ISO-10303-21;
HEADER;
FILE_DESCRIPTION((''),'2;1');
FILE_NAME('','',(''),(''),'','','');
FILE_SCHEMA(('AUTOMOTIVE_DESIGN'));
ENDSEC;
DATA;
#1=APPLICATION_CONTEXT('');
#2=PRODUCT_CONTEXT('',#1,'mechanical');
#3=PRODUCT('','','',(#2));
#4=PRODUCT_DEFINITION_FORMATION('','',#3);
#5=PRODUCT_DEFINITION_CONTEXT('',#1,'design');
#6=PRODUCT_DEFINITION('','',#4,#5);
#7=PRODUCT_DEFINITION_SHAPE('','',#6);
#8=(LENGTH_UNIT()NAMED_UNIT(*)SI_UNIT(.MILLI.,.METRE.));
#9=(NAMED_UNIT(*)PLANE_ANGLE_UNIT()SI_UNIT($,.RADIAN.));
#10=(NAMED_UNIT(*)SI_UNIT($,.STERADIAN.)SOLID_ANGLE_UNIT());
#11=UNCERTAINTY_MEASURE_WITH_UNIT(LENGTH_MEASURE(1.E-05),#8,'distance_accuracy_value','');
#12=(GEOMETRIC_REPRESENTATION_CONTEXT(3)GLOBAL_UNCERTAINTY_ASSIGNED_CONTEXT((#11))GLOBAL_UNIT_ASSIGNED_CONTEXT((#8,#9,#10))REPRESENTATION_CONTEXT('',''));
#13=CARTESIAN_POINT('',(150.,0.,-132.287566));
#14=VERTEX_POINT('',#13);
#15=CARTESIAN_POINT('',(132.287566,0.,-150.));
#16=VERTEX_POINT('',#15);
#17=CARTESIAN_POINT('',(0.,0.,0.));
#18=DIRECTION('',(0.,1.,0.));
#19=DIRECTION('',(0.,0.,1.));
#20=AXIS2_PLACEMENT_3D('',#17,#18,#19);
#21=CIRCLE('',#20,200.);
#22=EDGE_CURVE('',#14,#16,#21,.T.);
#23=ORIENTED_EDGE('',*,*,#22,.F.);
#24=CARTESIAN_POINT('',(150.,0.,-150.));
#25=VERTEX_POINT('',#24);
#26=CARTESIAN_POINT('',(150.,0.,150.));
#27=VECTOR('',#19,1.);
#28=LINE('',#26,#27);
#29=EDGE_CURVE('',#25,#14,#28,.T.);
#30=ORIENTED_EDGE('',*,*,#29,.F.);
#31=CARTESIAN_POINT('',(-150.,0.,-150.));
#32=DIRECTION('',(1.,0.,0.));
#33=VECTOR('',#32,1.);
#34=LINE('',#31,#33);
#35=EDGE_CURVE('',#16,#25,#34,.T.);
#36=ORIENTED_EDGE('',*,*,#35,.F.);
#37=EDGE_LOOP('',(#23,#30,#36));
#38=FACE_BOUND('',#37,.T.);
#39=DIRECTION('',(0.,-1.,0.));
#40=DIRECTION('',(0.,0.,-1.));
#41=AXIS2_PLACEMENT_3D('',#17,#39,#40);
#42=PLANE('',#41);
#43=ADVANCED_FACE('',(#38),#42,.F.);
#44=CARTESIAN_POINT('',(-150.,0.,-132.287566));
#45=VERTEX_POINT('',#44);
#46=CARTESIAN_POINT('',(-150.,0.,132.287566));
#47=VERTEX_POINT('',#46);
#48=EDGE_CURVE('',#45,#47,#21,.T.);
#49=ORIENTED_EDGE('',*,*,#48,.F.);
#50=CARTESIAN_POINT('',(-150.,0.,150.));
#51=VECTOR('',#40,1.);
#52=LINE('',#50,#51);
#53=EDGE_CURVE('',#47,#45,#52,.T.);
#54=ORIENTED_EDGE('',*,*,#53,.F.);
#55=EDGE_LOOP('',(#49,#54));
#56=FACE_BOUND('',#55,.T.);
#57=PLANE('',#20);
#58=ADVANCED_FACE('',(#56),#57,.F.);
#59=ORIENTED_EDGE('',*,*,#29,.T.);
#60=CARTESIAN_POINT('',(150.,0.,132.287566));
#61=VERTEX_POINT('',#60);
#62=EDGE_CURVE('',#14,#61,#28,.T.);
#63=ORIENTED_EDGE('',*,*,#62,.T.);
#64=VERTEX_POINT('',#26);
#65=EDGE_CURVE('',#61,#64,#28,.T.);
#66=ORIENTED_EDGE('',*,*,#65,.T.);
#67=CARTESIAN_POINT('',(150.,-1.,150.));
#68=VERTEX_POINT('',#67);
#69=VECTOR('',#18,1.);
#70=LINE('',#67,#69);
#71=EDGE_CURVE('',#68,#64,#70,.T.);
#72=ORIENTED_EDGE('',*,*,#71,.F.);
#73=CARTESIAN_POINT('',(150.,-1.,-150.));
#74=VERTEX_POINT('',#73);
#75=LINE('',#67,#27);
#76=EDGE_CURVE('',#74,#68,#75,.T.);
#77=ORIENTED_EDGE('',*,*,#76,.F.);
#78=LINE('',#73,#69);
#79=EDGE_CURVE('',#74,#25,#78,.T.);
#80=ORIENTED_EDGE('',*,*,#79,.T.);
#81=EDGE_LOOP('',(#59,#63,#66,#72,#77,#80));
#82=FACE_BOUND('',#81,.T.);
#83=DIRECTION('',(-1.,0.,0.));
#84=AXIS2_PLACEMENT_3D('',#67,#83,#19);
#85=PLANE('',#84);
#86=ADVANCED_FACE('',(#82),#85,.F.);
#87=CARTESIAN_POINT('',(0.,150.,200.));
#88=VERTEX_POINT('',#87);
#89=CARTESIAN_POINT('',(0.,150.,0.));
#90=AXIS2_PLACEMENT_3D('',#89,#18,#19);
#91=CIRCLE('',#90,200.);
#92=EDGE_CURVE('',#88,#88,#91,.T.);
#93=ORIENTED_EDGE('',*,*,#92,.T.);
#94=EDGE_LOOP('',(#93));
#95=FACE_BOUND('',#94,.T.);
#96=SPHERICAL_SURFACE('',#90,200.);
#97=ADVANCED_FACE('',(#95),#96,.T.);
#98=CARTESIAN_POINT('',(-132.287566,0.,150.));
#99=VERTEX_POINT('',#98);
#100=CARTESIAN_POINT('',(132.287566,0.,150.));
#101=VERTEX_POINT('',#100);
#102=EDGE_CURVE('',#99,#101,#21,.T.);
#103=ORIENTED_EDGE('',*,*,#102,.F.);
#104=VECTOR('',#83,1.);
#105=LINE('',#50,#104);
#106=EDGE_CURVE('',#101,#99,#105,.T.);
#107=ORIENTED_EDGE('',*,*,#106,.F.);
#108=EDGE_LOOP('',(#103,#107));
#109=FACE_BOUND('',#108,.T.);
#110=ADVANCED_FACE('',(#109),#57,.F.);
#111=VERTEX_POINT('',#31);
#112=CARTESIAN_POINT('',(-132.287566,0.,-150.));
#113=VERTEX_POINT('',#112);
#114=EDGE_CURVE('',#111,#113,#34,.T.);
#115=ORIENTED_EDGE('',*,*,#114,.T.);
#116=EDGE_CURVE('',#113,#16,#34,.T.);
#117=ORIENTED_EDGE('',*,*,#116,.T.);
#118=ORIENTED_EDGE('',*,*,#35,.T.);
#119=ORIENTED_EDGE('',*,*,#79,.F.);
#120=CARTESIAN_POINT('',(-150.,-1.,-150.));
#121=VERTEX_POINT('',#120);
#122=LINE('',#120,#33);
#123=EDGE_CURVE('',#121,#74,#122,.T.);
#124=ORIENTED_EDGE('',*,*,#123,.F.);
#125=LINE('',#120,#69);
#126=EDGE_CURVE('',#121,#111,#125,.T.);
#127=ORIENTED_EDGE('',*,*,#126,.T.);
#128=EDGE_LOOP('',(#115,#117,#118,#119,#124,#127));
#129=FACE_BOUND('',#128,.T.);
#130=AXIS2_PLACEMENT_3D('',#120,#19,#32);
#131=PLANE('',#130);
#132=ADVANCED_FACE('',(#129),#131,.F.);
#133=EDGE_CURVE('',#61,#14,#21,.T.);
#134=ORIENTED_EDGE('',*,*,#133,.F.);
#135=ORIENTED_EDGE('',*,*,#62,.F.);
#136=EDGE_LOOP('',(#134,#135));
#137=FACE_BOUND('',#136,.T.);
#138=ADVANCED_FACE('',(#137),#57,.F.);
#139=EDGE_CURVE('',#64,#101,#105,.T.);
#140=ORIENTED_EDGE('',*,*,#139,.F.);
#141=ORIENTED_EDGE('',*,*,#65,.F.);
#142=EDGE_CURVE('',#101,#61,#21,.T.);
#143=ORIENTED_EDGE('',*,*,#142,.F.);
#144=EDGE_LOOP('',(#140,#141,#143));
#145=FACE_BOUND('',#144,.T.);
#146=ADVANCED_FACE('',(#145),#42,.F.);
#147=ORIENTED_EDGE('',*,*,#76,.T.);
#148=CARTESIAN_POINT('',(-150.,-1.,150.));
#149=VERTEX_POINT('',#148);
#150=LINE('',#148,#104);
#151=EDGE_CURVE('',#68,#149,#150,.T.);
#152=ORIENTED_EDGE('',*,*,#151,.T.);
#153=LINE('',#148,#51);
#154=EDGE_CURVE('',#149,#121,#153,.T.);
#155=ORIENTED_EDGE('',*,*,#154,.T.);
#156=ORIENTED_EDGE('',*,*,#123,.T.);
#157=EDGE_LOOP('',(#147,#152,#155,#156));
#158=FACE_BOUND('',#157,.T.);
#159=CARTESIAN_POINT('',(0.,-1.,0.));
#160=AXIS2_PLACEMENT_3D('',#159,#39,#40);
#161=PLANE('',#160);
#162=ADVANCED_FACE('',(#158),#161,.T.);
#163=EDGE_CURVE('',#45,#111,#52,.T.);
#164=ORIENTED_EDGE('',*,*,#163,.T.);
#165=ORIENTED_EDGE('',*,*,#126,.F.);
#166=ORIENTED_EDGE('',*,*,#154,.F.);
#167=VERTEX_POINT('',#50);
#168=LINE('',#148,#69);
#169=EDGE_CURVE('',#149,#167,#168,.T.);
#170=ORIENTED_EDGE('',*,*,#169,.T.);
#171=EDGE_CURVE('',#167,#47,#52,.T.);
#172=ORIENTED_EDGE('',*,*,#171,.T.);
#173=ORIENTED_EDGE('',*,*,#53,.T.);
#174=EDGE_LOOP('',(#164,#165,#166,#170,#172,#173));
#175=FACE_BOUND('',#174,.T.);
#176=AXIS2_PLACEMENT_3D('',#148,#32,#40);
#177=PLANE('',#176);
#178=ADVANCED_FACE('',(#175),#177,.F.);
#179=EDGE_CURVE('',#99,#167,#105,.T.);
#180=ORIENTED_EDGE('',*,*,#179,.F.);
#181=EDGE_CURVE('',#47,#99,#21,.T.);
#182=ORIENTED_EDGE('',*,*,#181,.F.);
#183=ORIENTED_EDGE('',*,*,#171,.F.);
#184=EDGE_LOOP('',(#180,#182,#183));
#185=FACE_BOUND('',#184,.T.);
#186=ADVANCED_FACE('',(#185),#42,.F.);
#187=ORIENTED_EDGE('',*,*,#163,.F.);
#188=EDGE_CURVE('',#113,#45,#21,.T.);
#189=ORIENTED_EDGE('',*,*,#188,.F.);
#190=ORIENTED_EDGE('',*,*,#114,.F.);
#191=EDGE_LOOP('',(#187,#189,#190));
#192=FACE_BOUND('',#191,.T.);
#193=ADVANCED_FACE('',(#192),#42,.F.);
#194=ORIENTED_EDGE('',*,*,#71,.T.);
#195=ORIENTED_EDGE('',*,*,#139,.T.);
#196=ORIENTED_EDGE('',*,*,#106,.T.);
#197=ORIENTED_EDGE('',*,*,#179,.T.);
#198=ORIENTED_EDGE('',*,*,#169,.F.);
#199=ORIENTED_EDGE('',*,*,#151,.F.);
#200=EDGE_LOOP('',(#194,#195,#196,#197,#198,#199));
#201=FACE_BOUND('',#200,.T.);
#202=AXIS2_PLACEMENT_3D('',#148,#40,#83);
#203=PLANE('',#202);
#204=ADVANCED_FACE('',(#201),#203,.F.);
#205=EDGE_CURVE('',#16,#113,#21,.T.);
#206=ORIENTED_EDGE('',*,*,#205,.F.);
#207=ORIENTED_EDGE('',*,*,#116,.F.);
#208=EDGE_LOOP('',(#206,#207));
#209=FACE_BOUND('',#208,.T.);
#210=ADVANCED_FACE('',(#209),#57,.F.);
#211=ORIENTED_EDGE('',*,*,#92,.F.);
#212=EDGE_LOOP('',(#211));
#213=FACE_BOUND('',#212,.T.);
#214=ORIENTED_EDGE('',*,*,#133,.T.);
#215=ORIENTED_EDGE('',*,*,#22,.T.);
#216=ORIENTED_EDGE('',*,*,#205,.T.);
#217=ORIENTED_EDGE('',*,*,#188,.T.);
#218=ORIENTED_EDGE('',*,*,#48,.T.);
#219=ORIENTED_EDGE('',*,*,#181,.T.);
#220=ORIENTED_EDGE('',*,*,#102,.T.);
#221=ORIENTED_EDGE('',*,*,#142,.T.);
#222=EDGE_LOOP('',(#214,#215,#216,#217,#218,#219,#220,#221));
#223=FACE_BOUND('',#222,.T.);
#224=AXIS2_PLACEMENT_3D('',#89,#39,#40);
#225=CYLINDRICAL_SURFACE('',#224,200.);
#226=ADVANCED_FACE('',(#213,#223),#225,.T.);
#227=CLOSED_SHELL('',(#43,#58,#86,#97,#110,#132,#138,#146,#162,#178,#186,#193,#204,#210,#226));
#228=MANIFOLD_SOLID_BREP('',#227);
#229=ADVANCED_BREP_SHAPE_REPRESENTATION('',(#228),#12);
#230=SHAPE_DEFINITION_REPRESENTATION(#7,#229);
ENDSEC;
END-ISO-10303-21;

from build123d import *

# Parameters (mm, degrees)
SKETCH2_R           = 200
BOSS_EXTRUDE1_DEPTH = 150
DOME2_FACE_RADIUS   = 200
DOME2_HEIGHT        = 200
SKETCH4_W           = 300
SKETCH4_H           = 300
BOSS_EXTRUDE2_DEPTH = 1


with BuildPart() as part:
    # Sketch2 → Boss-Extrude1 (new body)
    with BuildSketch(Plane(origin=(0, 0, 0), x_dir=(1, 0, 0), z_dir=(0, 1, 0))):
        with Locations(Location((0, 0, 0), (0, 0, 270))):
            Circle(SKETCH2_R)
    extrude(amount=BOSS_EXTRUDE1_DEPTH)

    # Dome2: a dome of height H over a round flat face of radius A is a cap of a sphere of radius (A * A + H * H) / (2 * H)
    dome2_r = (DOME2_FACE_RADIUS * DOME2_FACE_RADIUS + DOME2_HEIGHT * DOME2_HEIGHT) / (2 * DOME2_HEIGHT)
    dome2_base = Plane((0, 150, 0), z_dir=(0, 1, 0))
    with Locations(dome2_base.offset(DOME2_HEIGHT - dome2_r)):
        dome2_ball = Sphere(dome2_r, mode=Mode.PRIVATE)
    add(split(dome2_ball, bisect_by=dome2_base, keep=Keep.TOP, mode=Mode.PRIVATE))

    # Sketch4 → Boss-Extrude2 (add)
    with BuildSketch(Plane.XZ):
        Rectangle(SKETCH4_W, SKETCH4_H)
    extrude(amount=BOSS_EXTRUDE2_DEPTH)


solid = part.part
